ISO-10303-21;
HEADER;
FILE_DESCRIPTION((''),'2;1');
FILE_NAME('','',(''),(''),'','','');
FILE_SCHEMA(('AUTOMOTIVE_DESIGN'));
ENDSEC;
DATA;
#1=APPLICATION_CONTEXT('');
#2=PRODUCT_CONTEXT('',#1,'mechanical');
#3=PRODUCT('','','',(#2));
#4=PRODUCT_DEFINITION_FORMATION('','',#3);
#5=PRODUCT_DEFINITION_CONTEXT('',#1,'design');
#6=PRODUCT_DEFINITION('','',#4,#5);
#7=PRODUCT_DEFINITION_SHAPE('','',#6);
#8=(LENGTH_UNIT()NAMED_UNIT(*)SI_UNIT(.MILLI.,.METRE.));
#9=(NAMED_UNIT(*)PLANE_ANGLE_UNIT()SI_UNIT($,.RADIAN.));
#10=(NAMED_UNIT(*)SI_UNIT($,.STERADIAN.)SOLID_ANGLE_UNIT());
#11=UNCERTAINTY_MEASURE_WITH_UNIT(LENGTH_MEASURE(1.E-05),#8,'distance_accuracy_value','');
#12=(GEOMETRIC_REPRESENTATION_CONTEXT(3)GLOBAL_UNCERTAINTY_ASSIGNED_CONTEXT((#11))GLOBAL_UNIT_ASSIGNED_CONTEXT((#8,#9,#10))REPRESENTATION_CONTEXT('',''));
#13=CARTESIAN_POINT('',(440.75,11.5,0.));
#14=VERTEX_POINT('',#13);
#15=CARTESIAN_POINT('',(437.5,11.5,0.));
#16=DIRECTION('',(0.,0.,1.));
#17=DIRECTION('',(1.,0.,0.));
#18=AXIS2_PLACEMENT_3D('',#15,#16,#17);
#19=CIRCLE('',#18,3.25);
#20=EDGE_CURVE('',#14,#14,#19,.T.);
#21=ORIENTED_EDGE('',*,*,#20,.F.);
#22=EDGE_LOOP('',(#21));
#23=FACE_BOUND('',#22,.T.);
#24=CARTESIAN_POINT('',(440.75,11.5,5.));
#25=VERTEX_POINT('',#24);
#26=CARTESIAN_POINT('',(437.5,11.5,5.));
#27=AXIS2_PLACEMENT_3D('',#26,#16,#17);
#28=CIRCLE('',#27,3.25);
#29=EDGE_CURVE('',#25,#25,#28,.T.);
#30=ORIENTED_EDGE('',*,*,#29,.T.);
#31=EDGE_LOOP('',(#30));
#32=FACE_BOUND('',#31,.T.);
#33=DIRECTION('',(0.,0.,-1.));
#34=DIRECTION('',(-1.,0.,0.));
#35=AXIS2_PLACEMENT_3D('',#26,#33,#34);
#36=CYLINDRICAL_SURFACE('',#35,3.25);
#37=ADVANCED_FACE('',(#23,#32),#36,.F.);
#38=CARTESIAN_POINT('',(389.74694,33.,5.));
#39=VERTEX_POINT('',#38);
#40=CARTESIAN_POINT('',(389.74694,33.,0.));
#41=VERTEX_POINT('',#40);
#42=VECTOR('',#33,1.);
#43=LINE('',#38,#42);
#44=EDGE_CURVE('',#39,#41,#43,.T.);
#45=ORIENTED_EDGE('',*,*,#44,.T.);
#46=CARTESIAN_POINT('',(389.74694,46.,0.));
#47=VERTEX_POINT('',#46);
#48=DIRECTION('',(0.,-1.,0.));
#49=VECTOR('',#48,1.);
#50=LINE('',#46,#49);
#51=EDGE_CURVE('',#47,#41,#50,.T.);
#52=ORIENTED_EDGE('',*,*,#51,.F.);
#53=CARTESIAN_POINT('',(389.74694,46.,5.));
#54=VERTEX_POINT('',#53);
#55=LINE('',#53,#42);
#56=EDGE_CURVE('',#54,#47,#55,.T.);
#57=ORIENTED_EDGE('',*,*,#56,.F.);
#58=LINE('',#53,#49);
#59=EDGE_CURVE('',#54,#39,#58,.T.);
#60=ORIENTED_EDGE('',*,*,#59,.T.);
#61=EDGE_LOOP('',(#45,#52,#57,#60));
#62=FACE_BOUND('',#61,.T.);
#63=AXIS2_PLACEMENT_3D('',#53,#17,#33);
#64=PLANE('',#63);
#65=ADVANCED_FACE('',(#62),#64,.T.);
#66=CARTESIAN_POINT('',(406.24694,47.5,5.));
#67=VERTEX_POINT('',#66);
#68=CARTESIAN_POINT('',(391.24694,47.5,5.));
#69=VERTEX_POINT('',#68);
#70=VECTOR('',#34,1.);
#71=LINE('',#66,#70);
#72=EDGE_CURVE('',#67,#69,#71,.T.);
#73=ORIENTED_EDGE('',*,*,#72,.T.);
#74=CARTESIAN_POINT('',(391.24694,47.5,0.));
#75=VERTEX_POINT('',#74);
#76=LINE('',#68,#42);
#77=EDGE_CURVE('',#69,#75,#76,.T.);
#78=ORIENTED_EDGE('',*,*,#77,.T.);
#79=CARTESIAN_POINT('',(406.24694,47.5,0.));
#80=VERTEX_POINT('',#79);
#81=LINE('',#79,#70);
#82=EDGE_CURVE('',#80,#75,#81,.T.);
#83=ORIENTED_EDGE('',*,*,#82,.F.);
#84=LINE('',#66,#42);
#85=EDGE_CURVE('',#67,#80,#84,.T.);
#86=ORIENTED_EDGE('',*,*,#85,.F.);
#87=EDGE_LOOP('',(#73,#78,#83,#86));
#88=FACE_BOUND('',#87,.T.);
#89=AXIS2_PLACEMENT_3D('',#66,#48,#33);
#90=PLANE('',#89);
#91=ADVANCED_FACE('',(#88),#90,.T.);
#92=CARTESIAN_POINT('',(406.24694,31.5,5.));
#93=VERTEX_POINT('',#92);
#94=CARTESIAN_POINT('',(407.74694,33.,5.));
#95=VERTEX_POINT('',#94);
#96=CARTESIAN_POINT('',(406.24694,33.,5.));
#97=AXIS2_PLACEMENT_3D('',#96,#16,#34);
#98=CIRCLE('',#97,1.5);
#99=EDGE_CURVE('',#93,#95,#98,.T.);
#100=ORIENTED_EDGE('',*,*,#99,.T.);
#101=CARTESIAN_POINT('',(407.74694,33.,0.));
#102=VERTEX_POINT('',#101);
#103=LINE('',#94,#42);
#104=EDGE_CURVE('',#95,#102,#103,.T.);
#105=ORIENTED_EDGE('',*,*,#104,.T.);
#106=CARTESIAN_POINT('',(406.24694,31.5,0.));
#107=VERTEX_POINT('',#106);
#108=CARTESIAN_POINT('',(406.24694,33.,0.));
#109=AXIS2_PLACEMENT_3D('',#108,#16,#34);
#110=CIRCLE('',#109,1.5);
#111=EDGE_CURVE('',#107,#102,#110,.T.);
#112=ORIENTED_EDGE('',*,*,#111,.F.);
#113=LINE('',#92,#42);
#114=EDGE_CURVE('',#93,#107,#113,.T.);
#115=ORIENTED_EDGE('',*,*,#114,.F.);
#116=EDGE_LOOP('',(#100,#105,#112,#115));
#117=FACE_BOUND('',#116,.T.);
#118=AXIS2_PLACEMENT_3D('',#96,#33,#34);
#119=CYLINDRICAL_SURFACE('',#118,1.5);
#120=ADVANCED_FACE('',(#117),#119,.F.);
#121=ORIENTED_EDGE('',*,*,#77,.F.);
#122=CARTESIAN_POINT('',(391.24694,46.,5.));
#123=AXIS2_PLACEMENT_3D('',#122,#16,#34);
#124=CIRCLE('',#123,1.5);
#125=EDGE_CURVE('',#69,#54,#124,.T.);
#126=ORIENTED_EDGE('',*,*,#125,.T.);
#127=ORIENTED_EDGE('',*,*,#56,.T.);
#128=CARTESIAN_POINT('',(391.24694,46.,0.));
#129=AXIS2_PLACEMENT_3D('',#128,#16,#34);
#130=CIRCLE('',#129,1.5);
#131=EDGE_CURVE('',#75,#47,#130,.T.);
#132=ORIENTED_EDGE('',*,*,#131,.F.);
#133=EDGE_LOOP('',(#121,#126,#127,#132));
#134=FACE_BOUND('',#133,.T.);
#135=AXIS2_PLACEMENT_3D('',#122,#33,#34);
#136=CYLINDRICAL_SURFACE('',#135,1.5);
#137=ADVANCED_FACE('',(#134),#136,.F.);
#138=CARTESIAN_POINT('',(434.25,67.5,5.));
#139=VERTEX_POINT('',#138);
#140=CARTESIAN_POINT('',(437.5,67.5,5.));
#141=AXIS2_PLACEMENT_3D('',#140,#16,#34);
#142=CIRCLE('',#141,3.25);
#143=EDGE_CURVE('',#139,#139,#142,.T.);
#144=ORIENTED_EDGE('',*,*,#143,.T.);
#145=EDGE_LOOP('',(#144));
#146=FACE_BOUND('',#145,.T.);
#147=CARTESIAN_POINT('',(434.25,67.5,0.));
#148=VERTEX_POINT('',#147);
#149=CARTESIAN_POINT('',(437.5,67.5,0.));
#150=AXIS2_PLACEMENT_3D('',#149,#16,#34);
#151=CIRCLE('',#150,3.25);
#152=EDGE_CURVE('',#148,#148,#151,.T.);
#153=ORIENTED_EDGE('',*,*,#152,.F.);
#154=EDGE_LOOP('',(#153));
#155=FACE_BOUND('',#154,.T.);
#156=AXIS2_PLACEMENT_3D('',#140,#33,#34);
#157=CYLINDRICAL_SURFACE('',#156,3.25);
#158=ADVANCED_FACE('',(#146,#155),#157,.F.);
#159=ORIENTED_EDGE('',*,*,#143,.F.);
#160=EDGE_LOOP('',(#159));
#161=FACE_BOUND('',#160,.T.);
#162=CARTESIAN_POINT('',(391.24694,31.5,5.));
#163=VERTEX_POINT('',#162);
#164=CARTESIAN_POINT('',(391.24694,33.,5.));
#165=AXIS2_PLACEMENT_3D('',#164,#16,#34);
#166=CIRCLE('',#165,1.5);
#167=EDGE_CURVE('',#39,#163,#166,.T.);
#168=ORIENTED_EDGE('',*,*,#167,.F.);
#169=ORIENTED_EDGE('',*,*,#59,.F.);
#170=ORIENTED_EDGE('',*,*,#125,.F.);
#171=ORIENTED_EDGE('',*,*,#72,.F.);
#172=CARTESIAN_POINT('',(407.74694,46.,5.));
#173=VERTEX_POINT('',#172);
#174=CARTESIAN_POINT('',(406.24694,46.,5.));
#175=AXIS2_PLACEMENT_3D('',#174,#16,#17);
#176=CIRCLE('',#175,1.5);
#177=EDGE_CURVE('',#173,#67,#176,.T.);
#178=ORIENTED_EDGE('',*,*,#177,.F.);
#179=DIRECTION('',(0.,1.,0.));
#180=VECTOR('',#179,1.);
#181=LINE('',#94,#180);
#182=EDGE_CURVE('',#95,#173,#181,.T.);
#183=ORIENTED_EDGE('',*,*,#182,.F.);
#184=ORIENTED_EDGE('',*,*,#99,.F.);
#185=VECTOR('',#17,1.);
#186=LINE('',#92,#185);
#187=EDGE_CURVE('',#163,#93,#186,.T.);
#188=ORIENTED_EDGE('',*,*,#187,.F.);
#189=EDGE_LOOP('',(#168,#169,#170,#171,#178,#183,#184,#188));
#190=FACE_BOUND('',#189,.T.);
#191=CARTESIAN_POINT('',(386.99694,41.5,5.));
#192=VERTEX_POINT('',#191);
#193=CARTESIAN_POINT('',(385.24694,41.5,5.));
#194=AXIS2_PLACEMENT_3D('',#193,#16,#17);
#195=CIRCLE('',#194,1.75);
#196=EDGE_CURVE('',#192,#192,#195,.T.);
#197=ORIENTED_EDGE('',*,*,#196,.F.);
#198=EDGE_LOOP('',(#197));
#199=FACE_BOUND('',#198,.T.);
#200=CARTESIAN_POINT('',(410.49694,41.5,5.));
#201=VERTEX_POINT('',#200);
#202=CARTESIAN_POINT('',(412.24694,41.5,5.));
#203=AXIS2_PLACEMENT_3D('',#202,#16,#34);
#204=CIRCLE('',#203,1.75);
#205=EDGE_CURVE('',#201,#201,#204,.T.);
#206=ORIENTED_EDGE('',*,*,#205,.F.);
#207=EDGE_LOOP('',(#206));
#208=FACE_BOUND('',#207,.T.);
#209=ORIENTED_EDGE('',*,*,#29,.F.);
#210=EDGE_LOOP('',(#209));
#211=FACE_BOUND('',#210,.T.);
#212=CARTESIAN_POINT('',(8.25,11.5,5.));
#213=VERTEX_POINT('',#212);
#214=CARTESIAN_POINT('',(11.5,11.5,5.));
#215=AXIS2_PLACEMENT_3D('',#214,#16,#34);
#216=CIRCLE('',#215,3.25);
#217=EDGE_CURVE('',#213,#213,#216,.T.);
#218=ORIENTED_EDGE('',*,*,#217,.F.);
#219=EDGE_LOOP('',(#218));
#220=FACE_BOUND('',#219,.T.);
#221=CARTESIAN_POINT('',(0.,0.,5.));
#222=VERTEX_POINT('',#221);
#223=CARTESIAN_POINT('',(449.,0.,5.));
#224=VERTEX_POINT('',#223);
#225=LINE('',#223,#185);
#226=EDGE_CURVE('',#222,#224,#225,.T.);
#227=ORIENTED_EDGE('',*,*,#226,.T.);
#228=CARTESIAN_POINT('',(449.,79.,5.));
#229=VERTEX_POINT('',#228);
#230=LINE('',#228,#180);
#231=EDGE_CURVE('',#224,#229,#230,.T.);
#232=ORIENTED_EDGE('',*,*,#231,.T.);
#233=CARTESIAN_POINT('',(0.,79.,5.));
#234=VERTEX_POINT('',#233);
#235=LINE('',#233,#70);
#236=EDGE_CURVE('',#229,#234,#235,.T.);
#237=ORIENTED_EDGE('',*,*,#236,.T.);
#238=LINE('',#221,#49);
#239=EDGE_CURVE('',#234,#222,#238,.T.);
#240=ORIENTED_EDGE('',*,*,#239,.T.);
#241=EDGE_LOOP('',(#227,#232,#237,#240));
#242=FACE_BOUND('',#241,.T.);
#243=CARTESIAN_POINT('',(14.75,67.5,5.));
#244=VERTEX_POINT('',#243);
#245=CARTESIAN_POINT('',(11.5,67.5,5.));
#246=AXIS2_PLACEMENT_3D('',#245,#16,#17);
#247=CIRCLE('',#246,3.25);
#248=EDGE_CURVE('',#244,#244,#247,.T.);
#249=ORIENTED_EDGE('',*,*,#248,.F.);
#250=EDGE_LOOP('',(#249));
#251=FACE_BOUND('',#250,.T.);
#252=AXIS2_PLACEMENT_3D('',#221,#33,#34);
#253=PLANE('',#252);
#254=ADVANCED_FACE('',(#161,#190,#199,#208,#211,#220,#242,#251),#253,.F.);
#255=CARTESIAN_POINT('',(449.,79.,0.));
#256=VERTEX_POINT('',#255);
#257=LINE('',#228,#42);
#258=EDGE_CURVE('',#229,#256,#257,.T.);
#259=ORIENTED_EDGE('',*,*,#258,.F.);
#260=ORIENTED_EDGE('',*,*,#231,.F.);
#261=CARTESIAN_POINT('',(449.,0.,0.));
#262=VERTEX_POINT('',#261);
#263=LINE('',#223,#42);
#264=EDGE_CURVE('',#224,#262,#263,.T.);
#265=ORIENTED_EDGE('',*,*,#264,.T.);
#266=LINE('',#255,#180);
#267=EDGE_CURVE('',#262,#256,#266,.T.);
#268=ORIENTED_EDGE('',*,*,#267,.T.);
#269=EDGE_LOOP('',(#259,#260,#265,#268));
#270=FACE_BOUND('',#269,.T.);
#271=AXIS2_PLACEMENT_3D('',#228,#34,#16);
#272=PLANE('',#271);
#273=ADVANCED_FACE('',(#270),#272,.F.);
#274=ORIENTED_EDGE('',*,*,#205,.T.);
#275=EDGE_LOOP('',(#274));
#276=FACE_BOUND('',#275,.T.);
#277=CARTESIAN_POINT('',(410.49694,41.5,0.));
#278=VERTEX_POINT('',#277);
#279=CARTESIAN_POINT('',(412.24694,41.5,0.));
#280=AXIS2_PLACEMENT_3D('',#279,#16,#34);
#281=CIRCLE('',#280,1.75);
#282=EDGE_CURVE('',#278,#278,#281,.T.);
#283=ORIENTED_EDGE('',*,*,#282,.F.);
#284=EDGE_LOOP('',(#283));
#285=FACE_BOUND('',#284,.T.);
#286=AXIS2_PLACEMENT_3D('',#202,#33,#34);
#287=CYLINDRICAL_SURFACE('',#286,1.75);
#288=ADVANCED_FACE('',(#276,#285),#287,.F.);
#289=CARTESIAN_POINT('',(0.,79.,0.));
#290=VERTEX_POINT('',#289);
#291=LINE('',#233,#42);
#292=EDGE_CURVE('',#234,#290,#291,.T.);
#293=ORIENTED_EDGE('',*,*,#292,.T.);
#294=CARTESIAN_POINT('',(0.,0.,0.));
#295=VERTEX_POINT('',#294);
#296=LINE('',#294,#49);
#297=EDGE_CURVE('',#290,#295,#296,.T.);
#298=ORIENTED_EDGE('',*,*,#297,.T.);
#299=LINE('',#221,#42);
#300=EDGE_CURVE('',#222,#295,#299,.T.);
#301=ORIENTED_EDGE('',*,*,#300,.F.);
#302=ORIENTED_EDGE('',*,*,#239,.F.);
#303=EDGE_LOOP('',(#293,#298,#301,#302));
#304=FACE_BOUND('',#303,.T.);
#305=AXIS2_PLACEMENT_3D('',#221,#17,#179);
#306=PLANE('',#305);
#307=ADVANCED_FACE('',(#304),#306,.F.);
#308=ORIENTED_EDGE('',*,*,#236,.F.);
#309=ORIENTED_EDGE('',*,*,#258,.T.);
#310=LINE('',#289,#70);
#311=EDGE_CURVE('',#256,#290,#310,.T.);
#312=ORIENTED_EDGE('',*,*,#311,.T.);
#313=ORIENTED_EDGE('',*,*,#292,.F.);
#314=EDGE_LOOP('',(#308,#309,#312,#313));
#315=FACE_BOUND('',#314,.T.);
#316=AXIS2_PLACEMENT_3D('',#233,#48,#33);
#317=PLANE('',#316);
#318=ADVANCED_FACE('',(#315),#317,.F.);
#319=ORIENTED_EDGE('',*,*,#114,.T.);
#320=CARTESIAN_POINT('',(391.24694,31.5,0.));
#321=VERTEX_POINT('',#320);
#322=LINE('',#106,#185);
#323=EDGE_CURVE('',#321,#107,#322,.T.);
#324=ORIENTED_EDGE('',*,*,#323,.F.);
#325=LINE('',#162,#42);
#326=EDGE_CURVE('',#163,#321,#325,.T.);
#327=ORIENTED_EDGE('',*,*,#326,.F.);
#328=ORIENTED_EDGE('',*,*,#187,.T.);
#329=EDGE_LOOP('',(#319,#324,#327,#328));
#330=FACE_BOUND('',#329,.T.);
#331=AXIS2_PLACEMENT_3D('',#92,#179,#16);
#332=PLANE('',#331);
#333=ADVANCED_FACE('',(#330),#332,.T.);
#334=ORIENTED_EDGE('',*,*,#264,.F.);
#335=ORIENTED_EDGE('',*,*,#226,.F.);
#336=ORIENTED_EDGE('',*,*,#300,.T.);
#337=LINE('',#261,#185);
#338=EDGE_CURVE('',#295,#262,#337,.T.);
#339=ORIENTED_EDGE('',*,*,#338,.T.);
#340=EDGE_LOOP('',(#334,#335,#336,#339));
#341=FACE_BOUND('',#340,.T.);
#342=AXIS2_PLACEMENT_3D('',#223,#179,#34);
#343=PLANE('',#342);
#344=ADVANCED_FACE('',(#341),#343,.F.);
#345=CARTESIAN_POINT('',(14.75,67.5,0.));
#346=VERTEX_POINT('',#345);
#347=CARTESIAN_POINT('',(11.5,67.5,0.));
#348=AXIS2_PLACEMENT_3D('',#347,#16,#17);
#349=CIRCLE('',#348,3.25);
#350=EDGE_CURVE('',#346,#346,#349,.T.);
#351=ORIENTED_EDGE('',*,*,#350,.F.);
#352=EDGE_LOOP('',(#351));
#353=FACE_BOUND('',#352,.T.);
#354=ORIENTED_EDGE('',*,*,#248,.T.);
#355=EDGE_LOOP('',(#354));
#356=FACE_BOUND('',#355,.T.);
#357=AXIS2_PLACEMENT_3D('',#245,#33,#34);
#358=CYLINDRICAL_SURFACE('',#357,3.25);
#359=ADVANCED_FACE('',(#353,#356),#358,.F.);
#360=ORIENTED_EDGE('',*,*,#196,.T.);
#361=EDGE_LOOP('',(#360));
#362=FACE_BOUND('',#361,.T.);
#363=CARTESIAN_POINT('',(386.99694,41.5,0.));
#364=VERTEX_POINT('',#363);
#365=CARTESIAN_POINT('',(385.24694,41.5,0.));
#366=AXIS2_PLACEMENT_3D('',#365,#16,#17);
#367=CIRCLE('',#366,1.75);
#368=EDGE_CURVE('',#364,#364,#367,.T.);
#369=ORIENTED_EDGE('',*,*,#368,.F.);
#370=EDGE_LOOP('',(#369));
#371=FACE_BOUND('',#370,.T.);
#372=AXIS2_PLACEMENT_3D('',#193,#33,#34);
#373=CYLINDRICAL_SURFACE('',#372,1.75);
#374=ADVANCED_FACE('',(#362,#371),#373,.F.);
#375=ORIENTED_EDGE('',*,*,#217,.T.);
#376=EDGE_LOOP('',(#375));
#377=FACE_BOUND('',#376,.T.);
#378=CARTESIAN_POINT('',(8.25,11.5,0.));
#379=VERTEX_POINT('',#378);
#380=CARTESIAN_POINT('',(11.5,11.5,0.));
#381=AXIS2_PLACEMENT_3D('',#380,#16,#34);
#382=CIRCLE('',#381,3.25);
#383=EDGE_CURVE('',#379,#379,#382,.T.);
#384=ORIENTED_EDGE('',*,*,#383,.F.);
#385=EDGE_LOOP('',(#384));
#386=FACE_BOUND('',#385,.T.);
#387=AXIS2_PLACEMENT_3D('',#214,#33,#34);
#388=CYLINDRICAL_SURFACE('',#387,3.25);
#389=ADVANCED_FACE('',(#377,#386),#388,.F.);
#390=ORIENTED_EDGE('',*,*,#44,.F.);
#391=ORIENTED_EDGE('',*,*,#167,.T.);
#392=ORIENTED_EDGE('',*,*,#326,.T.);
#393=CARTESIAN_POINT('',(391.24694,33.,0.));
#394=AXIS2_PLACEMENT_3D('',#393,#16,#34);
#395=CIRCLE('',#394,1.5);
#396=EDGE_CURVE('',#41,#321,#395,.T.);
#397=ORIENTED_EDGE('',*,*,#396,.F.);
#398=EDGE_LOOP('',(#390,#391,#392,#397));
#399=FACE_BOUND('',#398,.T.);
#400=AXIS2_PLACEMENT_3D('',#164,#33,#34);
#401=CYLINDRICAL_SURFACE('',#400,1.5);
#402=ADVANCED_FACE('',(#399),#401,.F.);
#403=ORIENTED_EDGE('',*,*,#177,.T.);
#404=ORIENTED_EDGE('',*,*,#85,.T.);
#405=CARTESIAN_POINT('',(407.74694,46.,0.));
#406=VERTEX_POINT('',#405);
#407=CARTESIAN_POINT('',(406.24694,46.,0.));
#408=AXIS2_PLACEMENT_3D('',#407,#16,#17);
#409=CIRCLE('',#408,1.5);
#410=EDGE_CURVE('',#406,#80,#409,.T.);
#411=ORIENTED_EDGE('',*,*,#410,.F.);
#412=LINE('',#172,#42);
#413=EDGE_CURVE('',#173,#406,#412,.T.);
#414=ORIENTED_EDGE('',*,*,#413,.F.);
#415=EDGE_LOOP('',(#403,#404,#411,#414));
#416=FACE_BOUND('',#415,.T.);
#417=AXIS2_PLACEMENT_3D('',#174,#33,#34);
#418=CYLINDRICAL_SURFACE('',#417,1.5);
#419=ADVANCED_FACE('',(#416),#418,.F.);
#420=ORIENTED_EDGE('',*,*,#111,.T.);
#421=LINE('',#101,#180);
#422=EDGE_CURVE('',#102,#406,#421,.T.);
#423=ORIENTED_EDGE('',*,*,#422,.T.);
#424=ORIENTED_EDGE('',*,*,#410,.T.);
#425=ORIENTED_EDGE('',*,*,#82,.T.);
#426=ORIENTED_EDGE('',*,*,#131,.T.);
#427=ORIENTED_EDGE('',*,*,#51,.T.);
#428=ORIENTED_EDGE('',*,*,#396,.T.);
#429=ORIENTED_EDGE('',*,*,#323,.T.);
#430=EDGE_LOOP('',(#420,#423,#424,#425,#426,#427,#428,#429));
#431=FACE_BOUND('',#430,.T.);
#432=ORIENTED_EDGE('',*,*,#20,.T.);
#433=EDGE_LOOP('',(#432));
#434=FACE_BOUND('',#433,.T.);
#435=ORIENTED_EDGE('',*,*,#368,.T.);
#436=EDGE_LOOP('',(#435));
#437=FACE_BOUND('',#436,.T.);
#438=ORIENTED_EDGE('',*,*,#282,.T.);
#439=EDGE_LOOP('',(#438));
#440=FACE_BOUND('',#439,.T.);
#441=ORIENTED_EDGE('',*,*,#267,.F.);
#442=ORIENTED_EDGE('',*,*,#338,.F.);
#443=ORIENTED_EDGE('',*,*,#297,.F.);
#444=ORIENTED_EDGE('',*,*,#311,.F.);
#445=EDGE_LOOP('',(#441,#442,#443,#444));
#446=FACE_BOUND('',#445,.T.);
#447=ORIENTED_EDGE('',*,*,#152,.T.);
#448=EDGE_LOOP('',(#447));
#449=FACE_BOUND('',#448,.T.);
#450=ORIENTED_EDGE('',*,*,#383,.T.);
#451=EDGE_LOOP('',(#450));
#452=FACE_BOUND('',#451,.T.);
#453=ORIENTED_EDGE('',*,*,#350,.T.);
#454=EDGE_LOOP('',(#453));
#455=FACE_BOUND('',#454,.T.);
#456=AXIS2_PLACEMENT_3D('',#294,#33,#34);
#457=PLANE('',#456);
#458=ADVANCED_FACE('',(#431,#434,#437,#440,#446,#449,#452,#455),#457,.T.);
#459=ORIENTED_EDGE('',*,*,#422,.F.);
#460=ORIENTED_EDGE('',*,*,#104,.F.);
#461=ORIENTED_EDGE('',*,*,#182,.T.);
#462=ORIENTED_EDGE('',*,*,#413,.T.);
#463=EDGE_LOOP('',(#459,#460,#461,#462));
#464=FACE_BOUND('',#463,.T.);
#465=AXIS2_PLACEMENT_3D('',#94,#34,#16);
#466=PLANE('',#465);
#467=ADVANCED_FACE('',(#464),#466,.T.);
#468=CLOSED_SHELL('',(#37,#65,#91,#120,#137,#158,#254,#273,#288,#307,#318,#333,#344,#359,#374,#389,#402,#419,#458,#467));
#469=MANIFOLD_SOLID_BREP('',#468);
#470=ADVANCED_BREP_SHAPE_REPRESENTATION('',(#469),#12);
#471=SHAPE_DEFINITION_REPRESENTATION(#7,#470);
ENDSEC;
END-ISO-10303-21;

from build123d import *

# Parameters (mm, degrees)
SKETCH_F_W                   = 449
SKETCH_F_H                   = 79
SKETCH_F_R                   = 3.25
SKETCH_F_R_2                 = 1.75
ESTRUSIONE_ESTRUSIONE1_DEPTH = 5


with BuildPart() as part:
    # Sketch f → Estrusione-Estrusione1 (new body)
    with BuildSketch(Plane.XY):
        with Locations((224.5, 39.5)):
            Rectangle(SKETCH_F_W, SKETCH_F_H)
        with Locations((11.5, 67.5)):
            Circle(SKETCH_F_R, mode=Mode.SUBTRACT)
        with Locations((437.5, 67.5)):
            Circle(SKETCH_F_R, mode=Mode.SUBTRACT)
        with Locations((11.5, 11.5)):
            Circle(SKETCH_F_R, mode=Mode.SUBTRACT)
        with Locations((437.5, 11.5)):
            Circle(SKETCH_F_R, mode=Mode.SUBTRACT)
        with Locations((385.246939646, 41.5)):
            Circle(SKETCH_F_R_2, mode=Mode.SUBTRACT)
        with Locations((412.246939646, 41.5)):
            Circle(SKETCH_F_R_2, mode=Mode.SUBTRACT)
        with BuildLine():
            Line((407.746939646, 33), (407.746939646, 46))
            ThreePointArc((407.746939646, 46), (407.307599818, 47.060660172), (406.246939646, 47.5))
            Line((406.246939646, 47.5), (391.246939646, 47.5))
            ThreePointArc((391.246939646, 47.5), (390.186279474, 47.060660172), (389.746939646, 46))
            Line((389.746939646, 46), (389.746939646, 33))
            ThreePointArc((389.746939646, 33), (390.186279474, 31.939339828), (391.246939646, 31.5))
            Line((391.246939646, 31.5), (406.246939646, 31.5))
            ThreePointArc((406.246939646, 31.5), (407.307599818, 31.939339828), (407.746939646, 33))
        make_face(mode=Mode.SUBTRACT)
    extrude(amount=ESTRUSIONE_ESTRUSIONE1_DEPTH)


solid = part.part
